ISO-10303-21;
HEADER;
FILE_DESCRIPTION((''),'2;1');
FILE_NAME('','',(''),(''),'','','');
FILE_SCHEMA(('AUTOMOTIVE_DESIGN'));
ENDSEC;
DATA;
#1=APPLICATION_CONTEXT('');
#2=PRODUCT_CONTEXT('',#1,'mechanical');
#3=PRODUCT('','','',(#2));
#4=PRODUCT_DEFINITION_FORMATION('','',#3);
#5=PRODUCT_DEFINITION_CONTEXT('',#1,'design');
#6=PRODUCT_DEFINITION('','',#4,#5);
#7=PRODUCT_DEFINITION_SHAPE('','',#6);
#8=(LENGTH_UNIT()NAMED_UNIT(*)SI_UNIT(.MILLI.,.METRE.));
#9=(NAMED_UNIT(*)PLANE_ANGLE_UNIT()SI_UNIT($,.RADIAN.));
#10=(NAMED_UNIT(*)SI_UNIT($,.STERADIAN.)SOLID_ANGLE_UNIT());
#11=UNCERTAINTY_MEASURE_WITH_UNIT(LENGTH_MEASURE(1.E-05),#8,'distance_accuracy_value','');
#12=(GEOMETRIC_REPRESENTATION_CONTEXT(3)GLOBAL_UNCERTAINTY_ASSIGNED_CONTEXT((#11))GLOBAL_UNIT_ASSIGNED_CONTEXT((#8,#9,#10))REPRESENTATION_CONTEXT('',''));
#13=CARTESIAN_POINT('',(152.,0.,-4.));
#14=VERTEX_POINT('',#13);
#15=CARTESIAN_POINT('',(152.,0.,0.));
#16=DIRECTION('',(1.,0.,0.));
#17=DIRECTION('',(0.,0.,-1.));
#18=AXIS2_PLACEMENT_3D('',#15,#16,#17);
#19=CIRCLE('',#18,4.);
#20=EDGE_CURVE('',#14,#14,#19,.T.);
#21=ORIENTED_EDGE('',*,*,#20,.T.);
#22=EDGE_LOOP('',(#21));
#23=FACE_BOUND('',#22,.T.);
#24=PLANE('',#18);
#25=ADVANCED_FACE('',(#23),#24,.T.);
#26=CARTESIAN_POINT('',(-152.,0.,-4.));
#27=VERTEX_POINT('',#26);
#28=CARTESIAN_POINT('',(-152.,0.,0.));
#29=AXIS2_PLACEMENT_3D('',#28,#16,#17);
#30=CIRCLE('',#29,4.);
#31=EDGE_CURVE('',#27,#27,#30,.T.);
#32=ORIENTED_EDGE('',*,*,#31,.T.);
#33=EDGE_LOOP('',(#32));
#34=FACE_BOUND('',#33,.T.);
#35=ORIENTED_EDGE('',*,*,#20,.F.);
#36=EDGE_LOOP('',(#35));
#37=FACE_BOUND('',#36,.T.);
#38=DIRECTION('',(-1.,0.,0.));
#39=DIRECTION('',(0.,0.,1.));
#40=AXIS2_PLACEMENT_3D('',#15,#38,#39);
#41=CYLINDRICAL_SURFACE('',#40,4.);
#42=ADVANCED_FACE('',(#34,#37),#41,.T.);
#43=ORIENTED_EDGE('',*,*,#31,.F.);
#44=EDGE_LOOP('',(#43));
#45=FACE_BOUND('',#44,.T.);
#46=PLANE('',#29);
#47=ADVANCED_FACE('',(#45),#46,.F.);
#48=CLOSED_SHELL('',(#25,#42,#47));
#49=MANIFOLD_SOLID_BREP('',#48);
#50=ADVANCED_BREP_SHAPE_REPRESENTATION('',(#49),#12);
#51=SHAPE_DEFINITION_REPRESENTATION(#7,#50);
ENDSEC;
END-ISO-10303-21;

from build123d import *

# Parameters (mm, degrees)
SKETCH1_R           = 4
BOSS_EXTRUDE1_DEPTH = 152


with BuildPart() as part:
    # Sketch1 → Boss-Extrude1 (new body, symmetric)
    with BuildSketch(Plane(origin=(0, 0, 0), x_dir=(0, 0, -1), z_dir=(1, 0, 0))):
        Circle(SKETCH1_R)
    extrude(amount=BOSS_EXTRUDE1_DEPTH, both=True)


solid = part.part
